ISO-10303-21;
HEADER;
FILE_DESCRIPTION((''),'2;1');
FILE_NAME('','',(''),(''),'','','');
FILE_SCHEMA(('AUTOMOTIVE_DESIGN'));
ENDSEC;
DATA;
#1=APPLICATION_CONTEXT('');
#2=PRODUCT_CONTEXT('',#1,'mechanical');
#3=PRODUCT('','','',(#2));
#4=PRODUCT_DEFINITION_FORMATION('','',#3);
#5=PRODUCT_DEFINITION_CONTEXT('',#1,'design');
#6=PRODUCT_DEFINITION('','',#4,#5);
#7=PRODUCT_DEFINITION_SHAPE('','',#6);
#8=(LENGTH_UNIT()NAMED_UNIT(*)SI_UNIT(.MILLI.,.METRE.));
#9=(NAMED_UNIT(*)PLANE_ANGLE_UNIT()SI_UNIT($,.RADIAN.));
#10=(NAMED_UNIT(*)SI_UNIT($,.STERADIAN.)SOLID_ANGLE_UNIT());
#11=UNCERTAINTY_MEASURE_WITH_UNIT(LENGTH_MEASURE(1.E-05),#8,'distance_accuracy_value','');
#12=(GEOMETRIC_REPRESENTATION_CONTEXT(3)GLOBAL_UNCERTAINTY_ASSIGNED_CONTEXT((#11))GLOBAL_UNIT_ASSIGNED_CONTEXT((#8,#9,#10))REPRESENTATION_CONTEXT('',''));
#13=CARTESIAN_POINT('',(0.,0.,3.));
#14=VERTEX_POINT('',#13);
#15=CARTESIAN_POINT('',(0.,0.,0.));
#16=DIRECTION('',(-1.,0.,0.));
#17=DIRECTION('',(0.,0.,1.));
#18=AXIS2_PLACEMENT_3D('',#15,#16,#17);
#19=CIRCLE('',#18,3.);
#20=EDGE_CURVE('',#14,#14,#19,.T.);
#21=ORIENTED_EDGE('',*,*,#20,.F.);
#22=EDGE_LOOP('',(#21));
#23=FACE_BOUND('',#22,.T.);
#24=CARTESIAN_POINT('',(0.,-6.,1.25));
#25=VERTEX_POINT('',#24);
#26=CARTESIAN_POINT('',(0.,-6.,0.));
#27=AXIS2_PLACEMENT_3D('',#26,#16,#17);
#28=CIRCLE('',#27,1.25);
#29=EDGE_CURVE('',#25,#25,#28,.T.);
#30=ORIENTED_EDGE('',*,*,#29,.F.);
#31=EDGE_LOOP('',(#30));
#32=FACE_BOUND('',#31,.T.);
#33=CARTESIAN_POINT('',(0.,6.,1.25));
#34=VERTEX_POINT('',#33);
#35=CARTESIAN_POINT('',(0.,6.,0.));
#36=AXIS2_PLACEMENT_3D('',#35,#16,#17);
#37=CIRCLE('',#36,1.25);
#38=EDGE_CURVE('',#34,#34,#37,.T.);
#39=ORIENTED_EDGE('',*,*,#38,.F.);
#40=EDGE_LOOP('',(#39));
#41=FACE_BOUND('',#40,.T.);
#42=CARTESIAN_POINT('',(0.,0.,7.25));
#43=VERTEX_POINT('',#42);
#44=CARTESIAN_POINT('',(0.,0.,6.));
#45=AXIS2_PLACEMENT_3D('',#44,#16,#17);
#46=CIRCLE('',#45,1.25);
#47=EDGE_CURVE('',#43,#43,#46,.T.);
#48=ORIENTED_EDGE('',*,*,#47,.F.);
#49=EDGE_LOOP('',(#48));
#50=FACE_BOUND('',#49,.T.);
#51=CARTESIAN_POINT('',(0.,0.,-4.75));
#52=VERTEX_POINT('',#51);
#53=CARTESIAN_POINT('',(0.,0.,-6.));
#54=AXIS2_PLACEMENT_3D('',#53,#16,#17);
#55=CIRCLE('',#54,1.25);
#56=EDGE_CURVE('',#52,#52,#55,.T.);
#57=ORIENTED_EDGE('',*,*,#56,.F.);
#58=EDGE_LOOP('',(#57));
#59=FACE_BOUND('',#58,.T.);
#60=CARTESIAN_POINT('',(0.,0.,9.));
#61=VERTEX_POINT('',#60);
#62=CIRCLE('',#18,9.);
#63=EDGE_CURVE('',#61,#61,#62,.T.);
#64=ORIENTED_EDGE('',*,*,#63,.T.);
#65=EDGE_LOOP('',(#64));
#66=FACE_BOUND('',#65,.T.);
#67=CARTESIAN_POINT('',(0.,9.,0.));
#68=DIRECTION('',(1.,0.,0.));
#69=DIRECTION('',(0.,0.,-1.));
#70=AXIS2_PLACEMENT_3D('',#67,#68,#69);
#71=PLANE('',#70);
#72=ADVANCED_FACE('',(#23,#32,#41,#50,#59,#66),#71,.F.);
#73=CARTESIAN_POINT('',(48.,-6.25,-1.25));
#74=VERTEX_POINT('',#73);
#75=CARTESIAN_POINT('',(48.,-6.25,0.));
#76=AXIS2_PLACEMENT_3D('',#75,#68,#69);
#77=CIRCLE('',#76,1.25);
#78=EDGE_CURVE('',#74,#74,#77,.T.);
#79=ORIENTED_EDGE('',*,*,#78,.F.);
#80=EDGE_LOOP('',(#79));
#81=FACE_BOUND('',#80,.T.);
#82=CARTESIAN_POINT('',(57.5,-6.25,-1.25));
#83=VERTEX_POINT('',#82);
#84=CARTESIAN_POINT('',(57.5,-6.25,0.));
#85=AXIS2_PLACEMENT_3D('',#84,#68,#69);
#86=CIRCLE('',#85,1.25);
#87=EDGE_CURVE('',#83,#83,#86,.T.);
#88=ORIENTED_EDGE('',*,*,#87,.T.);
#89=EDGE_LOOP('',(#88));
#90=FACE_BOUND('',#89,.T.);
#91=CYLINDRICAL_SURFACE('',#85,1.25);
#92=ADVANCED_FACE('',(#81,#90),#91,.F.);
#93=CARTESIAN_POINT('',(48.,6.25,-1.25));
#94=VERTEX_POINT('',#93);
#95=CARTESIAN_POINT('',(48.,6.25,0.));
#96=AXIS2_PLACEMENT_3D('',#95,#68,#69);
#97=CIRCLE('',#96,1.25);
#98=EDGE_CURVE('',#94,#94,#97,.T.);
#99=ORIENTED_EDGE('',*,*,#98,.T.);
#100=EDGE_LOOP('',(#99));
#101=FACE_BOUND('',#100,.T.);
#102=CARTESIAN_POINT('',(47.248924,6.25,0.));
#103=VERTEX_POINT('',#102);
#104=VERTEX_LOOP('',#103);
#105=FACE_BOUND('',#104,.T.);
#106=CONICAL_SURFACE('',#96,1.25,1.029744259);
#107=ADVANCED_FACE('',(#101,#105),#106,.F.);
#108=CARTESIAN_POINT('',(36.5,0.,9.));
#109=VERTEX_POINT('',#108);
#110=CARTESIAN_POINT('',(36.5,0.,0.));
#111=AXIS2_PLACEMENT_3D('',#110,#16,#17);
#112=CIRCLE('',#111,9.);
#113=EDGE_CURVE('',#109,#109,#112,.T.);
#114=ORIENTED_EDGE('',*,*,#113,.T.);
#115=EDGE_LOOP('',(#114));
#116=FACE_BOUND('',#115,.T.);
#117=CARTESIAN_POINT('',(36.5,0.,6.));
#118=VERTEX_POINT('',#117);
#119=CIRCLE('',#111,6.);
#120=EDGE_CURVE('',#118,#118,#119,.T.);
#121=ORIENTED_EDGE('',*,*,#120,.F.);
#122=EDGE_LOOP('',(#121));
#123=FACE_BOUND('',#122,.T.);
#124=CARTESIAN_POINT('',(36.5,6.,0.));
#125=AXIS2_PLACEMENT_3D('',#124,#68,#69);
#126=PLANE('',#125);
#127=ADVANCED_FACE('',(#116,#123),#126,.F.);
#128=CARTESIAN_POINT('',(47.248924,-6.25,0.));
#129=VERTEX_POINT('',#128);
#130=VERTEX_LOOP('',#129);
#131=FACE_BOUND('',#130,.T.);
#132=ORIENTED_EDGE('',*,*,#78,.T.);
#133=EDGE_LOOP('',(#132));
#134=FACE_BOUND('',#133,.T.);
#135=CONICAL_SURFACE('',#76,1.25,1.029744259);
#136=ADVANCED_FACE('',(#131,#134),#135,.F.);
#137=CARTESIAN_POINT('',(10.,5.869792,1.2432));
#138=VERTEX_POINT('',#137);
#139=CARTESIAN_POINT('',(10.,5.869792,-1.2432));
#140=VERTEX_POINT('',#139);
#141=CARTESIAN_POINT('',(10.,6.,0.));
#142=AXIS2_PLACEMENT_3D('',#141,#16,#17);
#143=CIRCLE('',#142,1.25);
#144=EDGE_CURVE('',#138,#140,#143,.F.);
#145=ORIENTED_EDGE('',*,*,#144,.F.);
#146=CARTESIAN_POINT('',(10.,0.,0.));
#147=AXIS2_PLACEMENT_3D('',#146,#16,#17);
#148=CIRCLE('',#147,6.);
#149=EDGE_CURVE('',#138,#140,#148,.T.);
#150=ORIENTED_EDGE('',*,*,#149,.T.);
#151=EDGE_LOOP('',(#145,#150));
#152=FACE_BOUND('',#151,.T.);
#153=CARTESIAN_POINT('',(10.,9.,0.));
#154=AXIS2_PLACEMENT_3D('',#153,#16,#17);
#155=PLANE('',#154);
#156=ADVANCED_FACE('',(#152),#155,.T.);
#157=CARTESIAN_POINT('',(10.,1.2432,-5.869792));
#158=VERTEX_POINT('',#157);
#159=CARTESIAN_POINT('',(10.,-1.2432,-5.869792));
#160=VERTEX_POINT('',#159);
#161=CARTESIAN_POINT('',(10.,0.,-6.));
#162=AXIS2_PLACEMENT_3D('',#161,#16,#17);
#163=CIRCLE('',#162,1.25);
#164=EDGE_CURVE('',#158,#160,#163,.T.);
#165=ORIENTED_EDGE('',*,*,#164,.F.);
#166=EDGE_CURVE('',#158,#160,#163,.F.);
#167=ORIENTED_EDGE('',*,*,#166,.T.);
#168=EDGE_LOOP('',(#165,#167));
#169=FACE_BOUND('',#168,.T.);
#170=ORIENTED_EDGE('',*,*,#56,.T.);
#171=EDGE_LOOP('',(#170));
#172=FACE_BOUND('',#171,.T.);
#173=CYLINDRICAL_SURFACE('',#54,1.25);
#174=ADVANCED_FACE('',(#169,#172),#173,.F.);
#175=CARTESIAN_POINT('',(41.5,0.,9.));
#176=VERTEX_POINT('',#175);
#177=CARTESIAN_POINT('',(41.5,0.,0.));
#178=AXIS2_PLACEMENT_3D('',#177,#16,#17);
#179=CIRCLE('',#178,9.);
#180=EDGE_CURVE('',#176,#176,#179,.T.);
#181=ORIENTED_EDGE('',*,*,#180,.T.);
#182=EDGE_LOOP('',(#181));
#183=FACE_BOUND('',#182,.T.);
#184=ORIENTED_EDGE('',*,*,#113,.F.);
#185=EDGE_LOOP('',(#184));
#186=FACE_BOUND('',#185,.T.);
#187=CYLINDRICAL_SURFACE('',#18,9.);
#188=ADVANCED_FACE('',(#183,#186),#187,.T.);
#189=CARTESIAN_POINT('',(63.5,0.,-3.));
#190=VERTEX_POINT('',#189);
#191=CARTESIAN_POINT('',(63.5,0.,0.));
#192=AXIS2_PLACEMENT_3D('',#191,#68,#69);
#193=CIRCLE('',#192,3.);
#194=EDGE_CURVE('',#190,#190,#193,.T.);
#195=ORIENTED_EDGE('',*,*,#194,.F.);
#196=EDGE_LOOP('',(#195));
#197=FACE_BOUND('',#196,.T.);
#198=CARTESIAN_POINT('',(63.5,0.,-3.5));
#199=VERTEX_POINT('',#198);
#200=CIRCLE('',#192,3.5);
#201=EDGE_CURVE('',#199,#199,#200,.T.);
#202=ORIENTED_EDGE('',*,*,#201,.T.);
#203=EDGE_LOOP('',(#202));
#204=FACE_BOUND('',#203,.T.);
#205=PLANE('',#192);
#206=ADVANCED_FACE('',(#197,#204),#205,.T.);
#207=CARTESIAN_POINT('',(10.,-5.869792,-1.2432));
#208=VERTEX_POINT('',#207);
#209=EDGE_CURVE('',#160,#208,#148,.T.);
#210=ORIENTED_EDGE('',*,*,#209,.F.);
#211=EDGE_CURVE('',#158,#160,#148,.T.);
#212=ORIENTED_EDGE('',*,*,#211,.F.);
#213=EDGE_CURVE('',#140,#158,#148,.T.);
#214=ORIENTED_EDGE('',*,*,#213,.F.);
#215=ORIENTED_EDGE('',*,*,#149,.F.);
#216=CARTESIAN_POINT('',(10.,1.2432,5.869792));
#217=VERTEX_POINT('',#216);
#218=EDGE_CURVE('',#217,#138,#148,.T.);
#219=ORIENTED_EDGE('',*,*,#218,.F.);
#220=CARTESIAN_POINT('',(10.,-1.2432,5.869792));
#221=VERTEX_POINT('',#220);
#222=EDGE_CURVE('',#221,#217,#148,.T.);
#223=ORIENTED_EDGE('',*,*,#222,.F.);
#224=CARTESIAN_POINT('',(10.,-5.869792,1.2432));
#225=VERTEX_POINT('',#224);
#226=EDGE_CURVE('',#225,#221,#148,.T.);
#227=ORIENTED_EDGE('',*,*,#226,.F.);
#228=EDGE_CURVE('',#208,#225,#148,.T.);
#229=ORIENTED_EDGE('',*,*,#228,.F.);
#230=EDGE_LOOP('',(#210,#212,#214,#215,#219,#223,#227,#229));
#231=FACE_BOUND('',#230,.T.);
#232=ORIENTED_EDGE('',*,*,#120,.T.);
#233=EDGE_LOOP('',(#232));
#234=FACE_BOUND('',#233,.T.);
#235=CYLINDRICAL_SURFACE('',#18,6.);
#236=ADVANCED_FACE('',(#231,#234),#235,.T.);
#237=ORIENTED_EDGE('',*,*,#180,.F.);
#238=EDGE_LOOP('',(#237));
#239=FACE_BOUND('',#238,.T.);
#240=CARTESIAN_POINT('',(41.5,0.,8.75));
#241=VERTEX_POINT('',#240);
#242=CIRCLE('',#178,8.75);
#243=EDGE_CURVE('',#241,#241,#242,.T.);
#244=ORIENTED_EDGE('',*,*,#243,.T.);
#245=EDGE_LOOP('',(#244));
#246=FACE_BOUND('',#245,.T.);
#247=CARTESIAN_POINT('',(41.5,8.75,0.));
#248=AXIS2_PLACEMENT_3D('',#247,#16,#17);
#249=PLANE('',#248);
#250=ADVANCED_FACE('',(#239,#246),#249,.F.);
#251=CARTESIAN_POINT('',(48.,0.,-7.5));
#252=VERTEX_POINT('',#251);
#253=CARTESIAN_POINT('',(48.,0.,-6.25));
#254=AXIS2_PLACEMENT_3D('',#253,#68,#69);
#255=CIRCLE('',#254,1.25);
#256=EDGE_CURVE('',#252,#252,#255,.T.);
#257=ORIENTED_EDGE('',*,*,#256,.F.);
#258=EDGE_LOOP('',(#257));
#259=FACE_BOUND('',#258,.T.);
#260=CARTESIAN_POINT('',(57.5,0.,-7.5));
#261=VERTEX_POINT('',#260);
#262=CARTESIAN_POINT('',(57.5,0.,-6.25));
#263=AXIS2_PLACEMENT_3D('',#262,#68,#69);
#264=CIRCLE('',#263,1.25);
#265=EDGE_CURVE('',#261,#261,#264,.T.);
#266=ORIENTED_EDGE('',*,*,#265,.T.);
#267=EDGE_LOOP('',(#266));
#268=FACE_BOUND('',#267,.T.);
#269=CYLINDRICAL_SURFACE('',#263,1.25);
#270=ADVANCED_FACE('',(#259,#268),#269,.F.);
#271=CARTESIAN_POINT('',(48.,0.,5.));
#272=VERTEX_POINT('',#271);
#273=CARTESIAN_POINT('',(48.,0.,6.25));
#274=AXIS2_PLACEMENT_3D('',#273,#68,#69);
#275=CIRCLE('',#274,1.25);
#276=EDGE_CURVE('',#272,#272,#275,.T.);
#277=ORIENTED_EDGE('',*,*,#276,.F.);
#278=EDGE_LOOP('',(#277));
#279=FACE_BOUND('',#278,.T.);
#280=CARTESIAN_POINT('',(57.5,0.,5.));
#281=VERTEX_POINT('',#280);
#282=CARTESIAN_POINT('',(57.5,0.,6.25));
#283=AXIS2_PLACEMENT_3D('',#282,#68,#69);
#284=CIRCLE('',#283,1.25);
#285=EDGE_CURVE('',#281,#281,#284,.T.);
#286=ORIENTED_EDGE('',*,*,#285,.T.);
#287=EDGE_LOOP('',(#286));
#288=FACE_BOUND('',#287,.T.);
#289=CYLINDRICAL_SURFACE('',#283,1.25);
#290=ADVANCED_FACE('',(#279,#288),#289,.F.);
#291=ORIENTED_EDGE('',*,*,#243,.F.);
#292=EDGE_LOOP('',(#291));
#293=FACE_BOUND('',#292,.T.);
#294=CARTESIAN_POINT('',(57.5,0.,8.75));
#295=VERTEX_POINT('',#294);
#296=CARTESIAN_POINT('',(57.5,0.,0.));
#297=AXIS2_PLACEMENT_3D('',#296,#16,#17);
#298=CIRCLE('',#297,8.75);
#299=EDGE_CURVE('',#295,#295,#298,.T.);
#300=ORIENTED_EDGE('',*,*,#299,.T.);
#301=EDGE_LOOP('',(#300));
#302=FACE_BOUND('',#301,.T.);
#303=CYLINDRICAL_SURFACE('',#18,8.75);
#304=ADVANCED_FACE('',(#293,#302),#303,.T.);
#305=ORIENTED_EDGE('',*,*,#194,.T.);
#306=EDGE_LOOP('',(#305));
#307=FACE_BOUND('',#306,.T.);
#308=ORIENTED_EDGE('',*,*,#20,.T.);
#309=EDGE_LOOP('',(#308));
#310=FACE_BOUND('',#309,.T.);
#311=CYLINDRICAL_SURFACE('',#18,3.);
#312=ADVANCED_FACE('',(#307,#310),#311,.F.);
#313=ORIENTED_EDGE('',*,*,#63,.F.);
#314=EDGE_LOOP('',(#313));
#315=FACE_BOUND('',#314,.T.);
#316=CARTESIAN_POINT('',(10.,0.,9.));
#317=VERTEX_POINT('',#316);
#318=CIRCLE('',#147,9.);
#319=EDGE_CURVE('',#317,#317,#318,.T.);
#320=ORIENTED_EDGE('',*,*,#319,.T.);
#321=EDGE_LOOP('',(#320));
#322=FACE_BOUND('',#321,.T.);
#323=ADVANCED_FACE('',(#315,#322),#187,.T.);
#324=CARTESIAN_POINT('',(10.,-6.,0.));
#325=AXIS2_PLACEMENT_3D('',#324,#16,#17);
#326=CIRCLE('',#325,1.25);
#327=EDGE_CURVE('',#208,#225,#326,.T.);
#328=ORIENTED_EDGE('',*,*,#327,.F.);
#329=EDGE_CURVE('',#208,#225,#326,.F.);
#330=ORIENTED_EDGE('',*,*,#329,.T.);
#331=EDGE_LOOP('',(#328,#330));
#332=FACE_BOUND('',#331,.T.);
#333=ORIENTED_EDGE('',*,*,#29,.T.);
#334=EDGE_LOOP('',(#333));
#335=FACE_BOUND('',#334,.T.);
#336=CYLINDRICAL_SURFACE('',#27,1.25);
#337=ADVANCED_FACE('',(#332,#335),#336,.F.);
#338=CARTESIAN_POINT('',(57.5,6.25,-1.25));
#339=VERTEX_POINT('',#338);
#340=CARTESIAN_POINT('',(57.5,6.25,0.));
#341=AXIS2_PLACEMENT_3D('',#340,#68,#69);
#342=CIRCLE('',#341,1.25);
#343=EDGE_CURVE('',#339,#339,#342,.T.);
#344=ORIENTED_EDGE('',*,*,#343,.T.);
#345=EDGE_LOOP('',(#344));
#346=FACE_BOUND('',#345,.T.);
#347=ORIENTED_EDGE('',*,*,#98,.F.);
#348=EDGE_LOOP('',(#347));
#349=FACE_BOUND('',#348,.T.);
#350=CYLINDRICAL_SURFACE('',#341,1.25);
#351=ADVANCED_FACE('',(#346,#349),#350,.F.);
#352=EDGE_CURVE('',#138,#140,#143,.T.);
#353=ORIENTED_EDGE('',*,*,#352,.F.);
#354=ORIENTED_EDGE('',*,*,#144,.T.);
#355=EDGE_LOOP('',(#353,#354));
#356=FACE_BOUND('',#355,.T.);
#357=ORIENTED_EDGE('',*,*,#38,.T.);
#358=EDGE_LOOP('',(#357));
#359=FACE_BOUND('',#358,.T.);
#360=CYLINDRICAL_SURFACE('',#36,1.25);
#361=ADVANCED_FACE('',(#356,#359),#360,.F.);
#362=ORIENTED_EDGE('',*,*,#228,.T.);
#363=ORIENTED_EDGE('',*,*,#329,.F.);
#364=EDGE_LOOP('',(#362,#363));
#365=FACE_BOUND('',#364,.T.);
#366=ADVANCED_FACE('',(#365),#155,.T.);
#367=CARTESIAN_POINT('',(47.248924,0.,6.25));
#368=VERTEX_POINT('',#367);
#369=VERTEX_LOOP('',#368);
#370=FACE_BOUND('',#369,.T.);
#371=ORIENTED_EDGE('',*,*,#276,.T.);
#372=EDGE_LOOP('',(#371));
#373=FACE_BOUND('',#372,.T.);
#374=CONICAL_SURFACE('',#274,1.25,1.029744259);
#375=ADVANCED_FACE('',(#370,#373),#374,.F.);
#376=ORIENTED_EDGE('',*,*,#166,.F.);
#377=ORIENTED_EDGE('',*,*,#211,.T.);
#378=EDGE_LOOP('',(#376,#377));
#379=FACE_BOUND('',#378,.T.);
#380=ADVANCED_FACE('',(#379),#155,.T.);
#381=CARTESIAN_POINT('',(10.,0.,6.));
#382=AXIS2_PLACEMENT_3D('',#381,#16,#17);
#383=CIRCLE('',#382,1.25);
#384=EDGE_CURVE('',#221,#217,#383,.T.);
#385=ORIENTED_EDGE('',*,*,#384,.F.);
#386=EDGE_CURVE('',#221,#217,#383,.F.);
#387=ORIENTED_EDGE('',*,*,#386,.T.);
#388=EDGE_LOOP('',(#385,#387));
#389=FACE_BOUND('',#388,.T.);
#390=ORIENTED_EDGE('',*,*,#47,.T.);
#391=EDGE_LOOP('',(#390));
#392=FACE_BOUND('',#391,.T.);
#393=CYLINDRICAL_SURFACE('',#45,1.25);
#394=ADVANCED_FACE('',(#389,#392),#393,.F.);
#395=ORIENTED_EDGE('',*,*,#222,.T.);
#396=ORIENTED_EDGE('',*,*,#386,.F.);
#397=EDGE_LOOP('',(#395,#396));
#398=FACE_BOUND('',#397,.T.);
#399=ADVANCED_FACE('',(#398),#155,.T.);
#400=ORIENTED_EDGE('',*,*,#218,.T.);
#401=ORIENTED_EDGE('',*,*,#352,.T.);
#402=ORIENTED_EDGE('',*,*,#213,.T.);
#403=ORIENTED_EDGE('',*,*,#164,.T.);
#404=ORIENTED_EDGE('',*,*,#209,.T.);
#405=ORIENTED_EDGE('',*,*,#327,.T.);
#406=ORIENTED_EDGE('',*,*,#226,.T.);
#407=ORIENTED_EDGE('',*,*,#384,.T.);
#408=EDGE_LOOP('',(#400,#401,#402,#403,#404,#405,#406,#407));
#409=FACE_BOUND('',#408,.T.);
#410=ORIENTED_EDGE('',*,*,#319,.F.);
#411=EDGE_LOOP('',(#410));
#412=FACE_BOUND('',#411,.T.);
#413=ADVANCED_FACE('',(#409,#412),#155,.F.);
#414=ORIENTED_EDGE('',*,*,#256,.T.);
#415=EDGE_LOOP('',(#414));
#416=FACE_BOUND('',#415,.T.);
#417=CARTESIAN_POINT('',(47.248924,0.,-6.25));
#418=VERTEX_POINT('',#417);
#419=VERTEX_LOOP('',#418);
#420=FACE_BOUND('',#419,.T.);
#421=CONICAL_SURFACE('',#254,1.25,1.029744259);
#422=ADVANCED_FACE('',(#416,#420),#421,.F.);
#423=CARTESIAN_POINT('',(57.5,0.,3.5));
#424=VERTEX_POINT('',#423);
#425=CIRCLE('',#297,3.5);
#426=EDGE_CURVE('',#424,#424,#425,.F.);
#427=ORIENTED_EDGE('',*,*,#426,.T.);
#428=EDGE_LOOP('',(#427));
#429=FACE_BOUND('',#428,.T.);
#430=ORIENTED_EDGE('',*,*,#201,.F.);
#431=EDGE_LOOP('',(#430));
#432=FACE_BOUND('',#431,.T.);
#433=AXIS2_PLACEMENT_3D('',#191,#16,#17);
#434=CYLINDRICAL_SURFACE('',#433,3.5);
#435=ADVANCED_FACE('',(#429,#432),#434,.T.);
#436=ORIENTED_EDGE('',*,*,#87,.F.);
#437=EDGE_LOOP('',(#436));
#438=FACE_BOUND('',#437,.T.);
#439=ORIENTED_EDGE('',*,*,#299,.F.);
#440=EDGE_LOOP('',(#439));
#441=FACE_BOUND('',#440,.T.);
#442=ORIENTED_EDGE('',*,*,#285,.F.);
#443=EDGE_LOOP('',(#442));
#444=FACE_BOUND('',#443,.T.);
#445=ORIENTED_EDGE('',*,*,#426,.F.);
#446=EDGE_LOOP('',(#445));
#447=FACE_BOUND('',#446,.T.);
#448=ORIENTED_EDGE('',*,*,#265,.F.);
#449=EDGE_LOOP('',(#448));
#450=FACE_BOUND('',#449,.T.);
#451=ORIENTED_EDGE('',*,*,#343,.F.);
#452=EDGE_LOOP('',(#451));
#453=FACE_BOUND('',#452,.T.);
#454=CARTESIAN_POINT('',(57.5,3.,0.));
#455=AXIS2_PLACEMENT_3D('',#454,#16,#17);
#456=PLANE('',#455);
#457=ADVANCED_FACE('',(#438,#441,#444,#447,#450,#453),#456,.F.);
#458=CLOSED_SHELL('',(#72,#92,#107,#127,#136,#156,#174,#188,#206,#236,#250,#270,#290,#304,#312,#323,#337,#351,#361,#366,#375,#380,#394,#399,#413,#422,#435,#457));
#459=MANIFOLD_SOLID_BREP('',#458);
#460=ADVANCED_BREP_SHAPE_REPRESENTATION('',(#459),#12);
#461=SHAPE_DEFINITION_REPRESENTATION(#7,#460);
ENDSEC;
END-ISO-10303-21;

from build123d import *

# Parameters (mm, degrees)
HOLE_WIZARD_M3_1_D     = 2.5
HOLE_WIZARD_M3_1_DEPTH = 10
HOLE_WIZARD_M3_2_D     = 2.5
HOLE_WIZARD_M3_2_DEPTH = 9.5
HOLE_WIZARD_M3_2_TIP   = 0.751075774
EXTRUDE_START          = 6
SKETCH_9_R             = 3.5
SKETCH_9_R_2           = 3
EXTRUDE_1_DEPTH        = 6


with BuildPart() as part:
    # 草图1 → 旋转1 (revolve)
    with BuildSketch(Plane.XY, mode=Mode.PRIVATE) as revolve_1_sk:
        Polygon((0, 9), (0, 3), (57.5, 3), (57.5, 8.75), (41.5, 8.75), (41.5, 9), (36.5, 9), (36.5, 6), (10, 6), (10, 9), align=None)
    revolve(revolve_1_sk.sketch.rotate(Axis((0, 0, 0), (1, 0, 0)), 90), axis=Axis((0, 0, 0), (1, 0, 0)))

    # M3 螺纹孔1
    with Locations(Plane.ZY):
        with Locations((0, 6), (6, 0), (0, -6), (-6, 0)):
            Hole(HOLE_WIZARD_M3_1_D / 2, depth=HOLE_WIZARD_M3_1_DEPTH)

    # M3 螺纹孔2
    with Locations(Plane(origin=(57.5, 0, 0), x_dir=(0, 0, -1), z_dir=(1, 0, 0))):
        with Locations((0, 6.25), (6.25, 0), (0, -6.25), (-6.25, 0)):
            Hole(HOLE_WIZARD_M3_2_D / 2, depth=HOLE_WIZARD_M3_2_DEPTH)
            with Locations((0, 0, -(HOLE_WIZARD_M3_2_DEPTH + HOLE_WIZARD_M3_2_TIP / 2))):  # 118° drill point
                Cone(0, HOLE_WIZARD_M3_2_D / 2, HOLE_WIZARD_M3_2_TIP, mode=Mode.SUBTRACT)

    # 草图9 → 凸台-拉伸1 (add)
    with BuildSketch(Plane(origin=(57.5, 0, 0), x_dir=(0, 0, -1), z_dir=(1, 0, 0)).offset(EXTRUDE_START)):
        with Locations(Location((0, 0, 0), (0, 0, 180))):
            Circle(SKETCH_9_R)
        with Locations(Location((0, 0, 0), (0, 0, 180))):
            Circle(SKETCH_9_R_2, mode=Mode.SUBTRACT)
    extrude(amount=-EXTRUDE_1_DEPTH)


solid = part.part
